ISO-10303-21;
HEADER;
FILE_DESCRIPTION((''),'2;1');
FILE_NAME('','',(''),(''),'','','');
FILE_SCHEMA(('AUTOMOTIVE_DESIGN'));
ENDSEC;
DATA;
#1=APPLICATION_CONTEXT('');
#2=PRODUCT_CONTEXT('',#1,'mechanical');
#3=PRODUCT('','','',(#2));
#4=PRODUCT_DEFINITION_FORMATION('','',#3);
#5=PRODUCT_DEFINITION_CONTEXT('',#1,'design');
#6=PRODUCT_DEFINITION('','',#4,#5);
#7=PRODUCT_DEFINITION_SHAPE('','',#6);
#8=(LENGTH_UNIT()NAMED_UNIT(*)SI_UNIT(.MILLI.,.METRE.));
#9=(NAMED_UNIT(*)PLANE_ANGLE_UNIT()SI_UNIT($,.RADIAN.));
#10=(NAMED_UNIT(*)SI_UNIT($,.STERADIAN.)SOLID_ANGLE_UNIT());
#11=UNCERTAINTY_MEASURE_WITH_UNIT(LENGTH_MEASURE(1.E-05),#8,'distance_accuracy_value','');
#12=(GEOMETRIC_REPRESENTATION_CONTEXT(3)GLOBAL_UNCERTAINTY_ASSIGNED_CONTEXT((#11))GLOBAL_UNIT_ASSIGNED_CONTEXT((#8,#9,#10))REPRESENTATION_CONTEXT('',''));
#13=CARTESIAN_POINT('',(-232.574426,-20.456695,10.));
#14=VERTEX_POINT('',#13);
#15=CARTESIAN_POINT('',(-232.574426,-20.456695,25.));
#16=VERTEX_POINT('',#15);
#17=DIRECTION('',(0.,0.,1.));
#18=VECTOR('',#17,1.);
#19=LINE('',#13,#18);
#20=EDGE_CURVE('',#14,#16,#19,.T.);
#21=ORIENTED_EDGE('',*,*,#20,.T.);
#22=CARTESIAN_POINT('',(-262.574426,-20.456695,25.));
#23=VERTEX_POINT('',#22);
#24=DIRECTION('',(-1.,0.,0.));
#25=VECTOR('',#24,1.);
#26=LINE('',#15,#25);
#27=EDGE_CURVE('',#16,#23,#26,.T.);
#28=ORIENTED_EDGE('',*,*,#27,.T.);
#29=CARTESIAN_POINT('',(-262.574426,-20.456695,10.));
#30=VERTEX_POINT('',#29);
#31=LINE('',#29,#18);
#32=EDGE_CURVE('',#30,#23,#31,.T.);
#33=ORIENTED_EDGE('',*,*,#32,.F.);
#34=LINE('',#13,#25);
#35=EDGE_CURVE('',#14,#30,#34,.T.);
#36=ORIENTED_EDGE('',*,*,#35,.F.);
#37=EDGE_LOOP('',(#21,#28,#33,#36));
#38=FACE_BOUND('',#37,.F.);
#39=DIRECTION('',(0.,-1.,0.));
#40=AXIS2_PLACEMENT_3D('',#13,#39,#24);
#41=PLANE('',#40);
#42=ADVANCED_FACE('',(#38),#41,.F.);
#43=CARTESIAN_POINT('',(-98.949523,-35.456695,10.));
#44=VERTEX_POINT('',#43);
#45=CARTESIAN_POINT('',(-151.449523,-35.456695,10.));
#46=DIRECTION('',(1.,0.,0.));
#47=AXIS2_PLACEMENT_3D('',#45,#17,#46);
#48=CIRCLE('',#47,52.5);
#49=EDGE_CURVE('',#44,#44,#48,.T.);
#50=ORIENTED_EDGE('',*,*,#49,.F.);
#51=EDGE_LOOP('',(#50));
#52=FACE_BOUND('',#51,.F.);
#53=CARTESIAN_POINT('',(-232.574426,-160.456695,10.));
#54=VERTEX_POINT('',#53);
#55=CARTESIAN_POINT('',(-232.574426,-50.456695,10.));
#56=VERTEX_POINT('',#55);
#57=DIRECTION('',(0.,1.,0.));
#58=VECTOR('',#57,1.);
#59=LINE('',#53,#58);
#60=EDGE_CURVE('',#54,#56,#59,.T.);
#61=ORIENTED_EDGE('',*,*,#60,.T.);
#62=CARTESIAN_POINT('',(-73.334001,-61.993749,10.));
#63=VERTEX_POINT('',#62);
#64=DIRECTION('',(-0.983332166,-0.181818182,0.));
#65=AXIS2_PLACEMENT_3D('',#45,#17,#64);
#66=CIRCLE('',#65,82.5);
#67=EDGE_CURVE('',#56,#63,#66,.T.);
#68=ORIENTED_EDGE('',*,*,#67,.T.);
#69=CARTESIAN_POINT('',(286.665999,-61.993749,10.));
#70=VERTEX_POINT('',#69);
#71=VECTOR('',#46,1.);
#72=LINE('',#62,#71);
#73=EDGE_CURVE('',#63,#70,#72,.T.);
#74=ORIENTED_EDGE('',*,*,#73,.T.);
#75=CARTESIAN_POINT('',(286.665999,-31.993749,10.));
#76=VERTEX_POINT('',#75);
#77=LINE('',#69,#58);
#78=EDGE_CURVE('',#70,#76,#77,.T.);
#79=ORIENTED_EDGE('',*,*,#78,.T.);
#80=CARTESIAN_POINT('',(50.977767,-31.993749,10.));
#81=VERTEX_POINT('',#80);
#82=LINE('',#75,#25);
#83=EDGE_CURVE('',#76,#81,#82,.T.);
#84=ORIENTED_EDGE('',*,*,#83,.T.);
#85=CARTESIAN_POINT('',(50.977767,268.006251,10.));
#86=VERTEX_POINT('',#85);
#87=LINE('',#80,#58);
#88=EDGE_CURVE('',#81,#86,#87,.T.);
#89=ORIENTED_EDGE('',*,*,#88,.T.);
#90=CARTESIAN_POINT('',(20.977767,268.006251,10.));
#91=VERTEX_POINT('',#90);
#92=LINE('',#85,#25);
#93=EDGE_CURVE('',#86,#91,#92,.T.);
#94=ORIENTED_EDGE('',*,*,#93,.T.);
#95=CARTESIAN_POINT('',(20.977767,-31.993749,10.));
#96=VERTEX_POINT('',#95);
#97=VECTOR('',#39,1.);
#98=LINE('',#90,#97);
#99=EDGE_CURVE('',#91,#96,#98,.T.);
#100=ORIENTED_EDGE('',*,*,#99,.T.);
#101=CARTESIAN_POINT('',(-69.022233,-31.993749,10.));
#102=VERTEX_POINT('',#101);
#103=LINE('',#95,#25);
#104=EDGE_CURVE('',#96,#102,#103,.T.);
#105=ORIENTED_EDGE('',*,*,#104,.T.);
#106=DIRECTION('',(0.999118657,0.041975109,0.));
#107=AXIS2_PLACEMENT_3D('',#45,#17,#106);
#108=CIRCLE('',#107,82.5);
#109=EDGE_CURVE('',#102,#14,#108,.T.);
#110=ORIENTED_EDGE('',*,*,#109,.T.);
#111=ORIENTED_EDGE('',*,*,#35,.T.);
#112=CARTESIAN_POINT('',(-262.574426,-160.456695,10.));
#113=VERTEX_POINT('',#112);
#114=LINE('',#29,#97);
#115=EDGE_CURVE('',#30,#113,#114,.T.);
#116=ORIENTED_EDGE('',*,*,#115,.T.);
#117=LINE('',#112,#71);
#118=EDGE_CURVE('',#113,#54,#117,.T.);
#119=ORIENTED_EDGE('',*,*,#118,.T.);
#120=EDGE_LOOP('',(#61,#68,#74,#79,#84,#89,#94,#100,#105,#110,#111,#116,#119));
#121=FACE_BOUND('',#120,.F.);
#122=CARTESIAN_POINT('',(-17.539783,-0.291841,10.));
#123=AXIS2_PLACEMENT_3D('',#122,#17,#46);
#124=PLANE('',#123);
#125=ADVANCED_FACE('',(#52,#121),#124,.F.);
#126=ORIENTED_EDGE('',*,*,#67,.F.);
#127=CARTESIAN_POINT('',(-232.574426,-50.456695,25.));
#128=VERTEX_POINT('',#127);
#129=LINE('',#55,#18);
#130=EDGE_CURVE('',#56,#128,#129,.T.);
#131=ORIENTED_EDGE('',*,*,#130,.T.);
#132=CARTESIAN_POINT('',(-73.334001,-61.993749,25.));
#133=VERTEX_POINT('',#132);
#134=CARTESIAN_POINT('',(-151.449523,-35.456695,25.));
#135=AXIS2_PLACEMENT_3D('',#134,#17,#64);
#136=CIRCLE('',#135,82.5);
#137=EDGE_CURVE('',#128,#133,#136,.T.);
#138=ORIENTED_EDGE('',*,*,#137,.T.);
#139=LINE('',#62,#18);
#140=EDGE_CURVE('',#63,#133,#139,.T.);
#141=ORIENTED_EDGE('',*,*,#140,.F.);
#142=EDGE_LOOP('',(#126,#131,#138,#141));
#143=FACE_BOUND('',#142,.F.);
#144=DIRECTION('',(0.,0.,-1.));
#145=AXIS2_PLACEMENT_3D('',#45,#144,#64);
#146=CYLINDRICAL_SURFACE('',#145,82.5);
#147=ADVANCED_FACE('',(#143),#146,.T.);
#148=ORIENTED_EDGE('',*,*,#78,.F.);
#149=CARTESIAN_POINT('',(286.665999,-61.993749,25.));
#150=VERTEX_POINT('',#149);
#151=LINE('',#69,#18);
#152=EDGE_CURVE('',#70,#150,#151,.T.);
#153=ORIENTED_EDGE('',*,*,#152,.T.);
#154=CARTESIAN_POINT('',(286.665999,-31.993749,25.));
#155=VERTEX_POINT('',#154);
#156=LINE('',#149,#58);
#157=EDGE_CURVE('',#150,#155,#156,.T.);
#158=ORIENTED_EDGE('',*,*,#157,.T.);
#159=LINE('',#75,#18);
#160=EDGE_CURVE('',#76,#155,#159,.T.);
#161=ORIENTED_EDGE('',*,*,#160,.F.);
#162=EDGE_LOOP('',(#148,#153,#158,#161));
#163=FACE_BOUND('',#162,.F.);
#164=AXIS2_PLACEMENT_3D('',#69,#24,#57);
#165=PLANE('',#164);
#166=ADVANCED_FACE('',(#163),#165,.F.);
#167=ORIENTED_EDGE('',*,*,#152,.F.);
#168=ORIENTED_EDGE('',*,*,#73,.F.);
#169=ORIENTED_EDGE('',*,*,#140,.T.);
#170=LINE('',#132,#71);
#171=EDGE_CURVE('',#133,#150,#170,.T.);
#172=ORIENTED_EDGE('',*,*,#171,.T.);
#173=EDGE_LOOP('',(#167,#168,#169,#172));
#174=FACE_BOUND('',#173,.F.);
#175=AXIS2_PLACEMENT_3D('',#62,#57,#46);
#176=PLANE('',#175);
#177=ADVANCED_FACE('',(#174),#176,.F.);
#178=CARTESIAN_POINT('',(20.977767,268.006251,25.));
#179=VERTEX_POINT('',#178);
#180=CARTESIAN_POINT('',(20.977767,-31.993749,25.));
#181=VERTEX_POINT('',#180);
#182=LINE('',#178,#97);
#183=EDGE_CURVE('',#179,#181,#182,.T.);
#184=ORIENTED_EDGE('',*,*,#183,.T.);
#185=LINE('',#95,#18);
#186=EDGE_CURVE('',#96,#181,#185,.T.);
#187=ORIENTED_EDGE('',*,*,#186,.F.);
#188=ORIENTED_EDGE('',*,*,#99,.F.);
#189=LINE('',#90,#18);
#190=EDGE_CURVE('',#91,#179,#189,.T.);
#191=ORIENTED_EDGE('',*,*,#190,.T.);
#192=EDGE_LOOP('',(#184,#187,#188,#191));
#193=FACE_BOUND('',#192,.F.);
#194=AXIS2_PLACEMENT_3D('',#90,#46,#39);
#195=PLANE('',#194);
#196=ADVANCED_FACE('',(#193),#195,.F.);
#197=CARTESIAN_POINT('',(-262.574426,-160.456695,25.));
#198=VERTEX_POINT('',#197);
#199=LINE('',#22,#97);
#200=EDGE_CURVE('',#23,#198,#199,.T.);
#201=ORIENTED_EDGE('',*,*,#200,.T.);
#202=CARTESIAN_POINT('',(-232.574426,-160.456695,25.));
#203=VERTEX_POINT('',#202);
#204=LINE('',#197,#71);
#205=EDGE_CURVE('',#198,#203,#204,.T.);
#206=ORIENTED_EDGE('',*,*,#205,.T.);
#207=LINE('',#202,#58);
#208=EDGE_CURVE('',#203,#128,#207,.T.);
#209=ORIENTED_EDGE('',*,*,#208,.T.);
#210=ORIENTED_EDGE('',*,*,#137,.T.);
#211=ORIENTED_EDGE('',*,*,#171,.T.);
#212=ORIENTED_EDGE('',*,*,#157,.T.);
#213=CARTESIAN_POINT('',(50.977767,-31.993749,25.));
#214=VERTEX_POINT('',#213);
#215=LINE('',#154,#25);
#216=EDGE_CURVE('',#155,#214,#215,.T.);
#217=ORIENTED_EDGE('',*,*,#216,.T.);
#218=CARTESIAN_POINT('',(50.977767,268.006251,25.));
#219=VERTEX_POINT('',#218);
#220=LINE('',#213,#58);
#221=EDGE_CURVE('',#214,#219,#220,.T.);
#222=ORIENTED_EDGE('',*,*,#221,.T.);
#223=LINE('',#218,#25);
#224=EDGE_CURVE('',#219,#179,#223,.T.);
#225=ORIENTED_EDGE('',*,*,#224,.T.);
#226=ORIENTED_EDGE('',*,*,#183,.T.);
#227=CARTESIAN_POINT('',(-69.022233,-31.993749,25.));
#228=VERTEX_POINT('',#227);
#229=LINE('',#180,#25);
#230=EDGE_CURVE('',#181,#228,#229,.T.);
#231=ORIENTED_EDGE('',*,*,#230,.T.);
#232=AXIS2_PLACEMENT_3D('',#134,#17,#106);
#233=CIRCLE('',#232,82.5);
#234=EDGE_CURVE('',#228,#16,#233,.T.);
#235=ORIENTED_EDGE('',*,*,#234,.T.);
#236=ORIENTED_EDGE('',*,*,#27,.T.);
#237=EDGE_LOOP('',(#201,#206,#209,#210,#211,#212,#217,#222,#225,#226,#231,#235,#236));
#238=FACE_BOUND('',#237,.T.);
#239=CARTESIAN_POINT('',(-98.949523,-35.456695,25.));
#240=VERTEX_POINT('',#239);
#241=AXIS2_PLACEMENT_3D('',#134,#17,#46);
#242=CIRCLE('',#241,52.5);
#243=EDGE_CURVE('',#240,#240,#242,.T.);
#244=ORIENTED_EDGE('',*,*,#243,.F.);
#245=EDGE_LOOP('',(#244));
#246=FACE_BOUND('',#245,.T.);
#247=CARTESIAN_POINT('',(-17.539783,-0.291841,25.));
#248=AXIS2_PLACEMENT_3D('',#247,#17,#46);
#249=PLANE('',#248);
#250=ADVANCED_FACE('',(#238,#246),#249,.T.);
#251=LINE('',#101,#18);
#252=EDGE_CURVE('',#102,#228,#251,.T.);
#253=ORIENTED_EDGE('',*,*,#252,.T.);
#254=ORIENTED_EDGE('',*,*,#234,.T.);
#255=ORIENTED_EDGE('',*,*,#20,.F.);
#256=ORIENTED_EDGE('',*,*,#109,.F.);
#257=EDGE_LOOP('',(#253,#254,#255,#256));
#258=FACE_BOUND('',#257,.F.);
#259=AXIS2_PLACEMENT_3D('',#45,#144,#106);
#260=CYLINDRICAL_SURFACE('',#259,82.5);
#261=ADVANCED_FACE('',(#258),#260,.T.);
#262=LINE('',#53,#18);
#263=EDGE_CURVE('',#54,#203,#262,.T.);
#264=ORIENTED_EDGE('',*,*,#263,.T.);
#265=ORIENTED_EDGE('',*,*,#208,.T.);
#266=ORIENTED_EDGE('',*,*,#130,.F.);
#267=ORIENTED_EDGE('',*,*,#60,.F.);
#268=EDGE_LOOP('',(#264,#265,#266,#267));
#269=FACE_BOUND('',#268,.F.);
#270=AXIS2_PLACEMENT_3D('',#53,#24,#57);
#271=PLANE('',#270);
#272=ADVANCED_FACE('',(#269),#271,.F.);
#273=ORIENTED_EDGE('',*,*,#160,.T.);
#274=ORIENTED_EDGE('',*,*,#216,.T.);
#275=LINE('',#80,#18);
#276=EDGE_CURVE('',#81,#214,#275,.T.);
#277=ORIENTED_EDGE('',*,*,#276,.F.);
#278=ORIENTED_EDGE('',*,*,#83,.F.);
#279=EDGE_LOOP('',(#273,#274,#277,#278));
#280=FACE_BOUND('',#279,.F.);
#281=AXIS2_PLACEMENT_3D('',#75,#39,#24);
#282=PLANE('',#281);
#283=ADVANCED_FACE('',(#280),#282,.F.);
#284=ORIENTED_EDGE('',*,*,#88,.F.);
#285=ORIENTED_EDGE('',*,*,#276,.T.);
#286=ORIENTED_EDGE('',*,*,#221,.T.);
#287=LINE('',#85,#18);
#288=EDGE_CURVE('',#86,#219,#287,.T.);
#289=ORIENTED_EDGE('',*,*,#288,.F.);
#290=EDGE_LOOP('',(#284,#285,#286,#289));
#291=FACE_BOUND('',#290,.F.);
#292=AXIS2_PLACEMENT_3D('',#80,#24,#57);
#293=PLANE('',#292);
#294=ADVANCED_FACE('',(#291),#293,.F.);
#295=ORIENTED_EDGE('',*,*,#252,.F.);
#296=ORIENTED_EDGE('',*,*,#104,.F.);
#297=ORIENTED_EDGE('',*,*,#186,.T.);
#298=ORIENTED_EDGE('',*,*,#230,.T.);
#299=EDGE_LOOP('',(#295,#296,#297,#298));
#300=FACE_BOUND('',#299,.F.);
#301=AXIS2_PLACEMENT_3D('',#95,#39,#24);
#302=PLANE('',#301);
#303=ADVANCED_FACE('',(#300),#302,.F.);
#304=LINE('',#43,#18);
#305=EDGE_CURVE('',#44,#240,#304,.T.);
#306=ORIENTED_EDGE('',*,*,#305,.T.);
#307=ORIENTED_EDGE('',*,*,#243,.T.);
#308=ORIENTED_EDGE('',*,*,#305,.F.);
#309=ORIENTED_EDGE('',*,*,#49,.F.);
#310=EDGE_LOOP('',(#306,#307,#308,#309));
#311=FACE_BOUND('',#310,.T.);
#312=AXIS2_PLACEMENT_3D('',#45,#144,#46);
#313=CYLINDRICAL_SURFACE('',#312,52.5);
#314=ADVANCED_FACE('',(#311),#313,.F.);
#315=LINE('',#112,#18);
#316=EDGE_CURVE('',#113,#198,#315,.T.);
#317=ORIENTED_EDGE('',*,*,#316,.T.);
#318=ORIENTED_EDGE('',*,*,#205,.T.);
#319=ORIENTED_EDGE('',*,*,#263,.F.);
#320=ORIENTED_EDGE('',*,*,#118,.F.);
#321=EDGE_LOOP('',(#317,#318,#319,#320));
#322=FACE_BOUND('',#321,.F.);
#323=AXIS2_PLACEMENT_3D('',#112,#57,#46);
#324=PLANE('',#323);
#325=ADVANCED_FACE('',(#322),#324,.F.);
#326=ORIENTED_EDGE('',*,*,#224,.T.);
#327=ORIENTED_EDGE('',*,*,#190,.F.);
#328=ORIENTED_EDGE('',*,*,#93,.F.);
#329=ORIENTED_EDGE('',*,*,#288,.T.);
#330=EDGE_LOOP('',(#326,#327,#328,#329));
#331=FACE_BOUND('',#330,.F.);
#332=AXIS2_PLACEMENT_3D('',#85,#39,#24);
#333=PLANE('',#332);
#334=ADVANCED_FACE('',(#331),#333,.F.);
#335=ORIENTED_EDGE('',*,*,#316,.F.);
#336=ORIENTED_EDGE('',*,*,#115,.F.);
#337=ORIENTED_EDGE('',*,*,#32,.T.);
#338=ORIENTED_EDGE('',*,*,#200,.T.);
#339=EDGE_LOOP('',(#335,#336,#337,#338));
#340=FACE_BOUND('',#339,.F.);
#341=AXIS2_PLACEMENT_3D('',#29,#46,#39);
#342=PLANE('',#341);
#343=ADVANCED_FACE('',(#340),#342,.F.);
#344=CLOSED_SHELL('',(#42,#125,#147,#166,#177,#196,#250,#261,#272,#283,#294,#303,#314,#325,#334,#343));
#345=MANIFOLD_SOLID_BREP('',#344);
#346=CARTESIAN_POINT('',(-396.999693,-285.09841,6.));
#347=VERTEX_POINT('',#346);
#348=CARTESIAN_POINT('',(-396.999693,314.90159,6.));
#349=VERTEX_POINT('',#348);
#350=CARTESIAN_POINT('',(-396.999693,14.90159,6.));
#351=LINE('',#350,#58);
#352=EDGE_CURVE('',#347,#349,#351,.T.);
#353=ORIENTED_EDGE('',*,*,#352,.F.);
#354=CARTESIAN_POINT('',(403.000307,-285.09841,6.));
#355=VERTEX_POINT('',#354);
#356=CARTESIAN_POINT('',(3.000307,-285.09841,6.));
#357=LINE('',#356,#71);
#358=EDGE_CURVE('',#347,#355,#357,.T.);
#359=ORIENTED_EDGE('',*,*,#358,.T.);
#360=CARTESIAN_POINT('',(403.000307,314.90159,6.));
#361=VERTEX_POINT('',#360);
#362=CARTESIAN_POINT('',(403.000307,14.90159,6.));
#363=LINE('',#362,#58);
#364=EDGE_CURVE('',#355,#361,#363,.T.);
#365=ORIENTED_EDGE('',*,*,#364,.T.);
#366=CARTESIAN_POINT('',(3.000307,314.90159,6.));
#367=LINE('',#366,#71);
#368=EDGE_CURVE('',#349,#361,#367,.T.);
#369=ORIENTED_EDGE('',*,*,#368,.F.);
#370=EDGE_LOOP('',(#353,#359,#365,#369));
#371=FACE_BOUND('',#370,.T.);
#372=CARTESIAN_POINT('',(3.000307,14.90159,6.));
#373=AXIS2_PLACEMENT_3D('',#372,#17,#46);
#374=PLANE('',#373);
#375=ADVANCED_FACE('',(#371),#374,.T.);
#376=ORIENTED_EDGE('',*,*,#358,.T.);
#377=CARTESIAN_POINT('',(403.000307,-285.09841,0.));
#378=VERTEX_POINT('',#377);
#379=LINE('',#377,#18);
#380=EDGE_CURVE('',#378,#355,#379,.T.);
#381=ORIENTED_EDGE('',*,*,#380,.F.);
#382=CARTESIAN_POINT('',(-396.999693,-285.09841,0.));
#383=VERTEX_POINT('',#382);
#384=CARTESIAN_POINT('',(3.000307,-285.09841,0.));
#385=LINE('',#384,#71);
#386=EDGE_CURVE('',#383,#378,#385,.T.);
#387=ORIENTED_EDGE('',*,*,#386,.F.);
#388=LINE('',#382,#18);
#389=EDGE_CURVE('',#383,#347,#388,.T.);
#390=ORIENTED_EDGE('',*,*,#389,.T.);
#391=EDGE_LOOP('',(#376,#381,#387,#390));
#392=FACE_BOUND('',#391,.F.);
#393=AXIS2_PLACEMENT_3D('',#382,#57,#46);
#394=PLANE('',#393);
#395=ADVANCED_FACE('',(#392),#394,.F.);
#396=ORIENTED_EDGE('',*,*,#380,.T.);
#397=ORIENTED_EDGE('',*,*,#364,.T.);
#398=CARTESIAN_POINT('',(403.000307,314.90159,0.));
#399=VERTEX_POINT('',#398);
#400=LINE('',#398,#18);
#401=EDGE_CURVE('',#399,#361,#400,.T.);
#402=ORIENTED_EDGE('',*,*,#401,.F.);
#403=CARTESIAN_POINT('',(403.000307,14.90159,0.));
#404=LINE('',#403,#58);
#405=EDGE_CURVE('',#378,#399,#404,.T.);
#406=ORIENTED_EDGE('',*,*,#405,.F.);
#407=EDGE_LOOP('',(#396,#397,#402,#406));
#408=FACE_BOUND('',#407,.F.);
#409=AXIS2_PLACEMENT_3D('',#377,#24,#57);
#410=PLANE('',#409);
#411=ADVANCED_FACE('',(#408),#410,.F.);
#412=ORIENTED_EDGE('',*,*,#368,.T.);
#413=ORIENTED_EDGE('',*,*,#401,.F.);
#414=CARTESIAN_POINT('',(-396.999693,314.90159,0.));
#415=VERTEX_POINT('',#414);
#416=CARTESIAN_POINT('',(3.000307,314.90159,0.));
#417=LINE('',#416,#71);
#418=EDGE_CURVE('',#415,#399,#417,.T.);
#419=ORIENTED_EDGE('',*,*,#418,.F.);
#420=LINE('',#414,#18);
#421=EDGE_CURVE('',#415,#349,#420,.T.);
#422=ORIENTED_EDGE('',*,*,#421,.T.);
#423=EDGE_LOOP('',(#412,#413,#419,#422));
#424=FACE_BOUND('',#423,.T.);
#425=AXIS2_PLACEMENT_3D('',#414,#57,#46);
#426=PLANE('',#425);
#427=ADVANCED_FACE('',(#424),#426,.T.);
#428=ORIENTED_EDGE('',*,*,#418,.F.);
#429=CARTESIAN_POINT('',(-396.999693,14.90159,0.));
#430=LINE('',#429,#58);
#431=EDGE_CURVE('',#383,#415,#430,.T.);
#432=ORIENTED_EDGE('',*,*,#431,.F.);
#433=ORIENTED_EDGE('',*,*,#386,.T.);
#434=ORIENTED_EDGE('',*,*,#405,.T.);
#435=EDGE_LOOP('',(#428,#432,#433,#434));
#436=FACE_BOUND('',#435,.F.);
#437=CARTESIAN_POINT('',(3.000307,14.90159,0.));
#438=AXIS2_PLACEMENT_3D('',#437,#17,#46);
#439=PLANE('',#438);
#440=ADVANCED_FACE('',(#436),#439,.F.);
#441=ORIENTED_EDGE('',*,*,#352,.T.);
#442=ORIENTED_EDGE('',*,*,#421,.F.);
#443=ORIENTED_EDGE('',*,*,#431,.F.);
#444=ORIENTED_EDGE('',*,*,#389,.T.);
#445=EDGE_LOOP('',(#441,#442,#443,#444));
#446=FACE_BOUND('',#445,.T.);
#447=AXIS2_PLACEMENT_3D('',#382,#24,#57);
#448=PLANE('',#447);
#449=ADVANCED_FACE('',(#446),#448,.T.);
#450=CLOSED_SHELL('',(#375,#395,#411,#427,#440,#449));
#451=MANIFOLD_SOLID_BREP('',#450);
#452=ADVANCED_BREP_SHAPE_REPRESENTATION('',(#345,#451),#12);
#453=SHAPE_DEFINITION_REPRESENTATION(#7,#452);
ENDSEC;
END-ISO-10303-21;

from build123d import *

# Parameters (mm, degrees)
F0_W     = 800
F0_H     = 600
F1_DEPTH = 6
F3_START = 10
F2_R     = 52.5
F3_DEPTH = 15


with BuildPart() as f1:
    # F0 (on Top) → F1 (new body)
    with BuildSketch(Plane.XY):
        with Locations((3.0003070796, 14.9015896022)):
            Rectangle(F0_W, F0_H)
    extrude(amount=F1_DEPTH)


with BuildPart() as f3:
    # F2 (on Top) → F3 (new body)
    with BuildSketch(Plane.XY.offset(F3_START)):
        with BuildLine():
            Line((-262.5744263002, -20.4566953906), (-262.5744263002, -160.4566953906))
            Line((-262.5744263002, -160.4566953906), (-232.5744263002, -160.4566953906))
            Line((-232.5744263002, -160.4566953906), (-232.5744263002, -50.4566953906))
            ThreePointArc((-232.5744263002, -50.4566953906), (-157.4110656341, -117.7410195641), (-73.3340005135, -61.9937488971))
            Line((-73.3340005135, -61.9937488971), (286.6659994865, -61.9937488971))
            Line((286.6659994865, -61.9937488971), (286.6659994865, -31.9937488971))
            Line((286.6659994865, -31.9937488971), (50.9777665779, -31.9937488971))
            Line((50.9777665779, -31.9937488971), (50.9777665779, 268.0062511029))
            Line((50.9777665779, 268.0062511029), (20.9777665779, 268.0062511029))
            Line((20.9777665779, 268.0062511029), (20.9777665779, -31.9937488971))
            Line((20.9777665779, -31.9937488971), (-69.0222334221, -31.9937488971))
            ThreePointArc((-69.0222334221, -31.9937488971), (-145.6443565505, 46.8388090255), (-232.5744263002, -20.4566953906))
            Line((-232.5744263002, -20.4566953906), (-262.5744263002, -20.4566953906))
        make_face()
        with Locations((-151.4495226022, -35.4566953906)):
            Circle(F2_R, mode=Mode.SUBTRACT)
    extrude(amount=F3_DEPTH)


solid = Compound([f1.part, f3.part])
